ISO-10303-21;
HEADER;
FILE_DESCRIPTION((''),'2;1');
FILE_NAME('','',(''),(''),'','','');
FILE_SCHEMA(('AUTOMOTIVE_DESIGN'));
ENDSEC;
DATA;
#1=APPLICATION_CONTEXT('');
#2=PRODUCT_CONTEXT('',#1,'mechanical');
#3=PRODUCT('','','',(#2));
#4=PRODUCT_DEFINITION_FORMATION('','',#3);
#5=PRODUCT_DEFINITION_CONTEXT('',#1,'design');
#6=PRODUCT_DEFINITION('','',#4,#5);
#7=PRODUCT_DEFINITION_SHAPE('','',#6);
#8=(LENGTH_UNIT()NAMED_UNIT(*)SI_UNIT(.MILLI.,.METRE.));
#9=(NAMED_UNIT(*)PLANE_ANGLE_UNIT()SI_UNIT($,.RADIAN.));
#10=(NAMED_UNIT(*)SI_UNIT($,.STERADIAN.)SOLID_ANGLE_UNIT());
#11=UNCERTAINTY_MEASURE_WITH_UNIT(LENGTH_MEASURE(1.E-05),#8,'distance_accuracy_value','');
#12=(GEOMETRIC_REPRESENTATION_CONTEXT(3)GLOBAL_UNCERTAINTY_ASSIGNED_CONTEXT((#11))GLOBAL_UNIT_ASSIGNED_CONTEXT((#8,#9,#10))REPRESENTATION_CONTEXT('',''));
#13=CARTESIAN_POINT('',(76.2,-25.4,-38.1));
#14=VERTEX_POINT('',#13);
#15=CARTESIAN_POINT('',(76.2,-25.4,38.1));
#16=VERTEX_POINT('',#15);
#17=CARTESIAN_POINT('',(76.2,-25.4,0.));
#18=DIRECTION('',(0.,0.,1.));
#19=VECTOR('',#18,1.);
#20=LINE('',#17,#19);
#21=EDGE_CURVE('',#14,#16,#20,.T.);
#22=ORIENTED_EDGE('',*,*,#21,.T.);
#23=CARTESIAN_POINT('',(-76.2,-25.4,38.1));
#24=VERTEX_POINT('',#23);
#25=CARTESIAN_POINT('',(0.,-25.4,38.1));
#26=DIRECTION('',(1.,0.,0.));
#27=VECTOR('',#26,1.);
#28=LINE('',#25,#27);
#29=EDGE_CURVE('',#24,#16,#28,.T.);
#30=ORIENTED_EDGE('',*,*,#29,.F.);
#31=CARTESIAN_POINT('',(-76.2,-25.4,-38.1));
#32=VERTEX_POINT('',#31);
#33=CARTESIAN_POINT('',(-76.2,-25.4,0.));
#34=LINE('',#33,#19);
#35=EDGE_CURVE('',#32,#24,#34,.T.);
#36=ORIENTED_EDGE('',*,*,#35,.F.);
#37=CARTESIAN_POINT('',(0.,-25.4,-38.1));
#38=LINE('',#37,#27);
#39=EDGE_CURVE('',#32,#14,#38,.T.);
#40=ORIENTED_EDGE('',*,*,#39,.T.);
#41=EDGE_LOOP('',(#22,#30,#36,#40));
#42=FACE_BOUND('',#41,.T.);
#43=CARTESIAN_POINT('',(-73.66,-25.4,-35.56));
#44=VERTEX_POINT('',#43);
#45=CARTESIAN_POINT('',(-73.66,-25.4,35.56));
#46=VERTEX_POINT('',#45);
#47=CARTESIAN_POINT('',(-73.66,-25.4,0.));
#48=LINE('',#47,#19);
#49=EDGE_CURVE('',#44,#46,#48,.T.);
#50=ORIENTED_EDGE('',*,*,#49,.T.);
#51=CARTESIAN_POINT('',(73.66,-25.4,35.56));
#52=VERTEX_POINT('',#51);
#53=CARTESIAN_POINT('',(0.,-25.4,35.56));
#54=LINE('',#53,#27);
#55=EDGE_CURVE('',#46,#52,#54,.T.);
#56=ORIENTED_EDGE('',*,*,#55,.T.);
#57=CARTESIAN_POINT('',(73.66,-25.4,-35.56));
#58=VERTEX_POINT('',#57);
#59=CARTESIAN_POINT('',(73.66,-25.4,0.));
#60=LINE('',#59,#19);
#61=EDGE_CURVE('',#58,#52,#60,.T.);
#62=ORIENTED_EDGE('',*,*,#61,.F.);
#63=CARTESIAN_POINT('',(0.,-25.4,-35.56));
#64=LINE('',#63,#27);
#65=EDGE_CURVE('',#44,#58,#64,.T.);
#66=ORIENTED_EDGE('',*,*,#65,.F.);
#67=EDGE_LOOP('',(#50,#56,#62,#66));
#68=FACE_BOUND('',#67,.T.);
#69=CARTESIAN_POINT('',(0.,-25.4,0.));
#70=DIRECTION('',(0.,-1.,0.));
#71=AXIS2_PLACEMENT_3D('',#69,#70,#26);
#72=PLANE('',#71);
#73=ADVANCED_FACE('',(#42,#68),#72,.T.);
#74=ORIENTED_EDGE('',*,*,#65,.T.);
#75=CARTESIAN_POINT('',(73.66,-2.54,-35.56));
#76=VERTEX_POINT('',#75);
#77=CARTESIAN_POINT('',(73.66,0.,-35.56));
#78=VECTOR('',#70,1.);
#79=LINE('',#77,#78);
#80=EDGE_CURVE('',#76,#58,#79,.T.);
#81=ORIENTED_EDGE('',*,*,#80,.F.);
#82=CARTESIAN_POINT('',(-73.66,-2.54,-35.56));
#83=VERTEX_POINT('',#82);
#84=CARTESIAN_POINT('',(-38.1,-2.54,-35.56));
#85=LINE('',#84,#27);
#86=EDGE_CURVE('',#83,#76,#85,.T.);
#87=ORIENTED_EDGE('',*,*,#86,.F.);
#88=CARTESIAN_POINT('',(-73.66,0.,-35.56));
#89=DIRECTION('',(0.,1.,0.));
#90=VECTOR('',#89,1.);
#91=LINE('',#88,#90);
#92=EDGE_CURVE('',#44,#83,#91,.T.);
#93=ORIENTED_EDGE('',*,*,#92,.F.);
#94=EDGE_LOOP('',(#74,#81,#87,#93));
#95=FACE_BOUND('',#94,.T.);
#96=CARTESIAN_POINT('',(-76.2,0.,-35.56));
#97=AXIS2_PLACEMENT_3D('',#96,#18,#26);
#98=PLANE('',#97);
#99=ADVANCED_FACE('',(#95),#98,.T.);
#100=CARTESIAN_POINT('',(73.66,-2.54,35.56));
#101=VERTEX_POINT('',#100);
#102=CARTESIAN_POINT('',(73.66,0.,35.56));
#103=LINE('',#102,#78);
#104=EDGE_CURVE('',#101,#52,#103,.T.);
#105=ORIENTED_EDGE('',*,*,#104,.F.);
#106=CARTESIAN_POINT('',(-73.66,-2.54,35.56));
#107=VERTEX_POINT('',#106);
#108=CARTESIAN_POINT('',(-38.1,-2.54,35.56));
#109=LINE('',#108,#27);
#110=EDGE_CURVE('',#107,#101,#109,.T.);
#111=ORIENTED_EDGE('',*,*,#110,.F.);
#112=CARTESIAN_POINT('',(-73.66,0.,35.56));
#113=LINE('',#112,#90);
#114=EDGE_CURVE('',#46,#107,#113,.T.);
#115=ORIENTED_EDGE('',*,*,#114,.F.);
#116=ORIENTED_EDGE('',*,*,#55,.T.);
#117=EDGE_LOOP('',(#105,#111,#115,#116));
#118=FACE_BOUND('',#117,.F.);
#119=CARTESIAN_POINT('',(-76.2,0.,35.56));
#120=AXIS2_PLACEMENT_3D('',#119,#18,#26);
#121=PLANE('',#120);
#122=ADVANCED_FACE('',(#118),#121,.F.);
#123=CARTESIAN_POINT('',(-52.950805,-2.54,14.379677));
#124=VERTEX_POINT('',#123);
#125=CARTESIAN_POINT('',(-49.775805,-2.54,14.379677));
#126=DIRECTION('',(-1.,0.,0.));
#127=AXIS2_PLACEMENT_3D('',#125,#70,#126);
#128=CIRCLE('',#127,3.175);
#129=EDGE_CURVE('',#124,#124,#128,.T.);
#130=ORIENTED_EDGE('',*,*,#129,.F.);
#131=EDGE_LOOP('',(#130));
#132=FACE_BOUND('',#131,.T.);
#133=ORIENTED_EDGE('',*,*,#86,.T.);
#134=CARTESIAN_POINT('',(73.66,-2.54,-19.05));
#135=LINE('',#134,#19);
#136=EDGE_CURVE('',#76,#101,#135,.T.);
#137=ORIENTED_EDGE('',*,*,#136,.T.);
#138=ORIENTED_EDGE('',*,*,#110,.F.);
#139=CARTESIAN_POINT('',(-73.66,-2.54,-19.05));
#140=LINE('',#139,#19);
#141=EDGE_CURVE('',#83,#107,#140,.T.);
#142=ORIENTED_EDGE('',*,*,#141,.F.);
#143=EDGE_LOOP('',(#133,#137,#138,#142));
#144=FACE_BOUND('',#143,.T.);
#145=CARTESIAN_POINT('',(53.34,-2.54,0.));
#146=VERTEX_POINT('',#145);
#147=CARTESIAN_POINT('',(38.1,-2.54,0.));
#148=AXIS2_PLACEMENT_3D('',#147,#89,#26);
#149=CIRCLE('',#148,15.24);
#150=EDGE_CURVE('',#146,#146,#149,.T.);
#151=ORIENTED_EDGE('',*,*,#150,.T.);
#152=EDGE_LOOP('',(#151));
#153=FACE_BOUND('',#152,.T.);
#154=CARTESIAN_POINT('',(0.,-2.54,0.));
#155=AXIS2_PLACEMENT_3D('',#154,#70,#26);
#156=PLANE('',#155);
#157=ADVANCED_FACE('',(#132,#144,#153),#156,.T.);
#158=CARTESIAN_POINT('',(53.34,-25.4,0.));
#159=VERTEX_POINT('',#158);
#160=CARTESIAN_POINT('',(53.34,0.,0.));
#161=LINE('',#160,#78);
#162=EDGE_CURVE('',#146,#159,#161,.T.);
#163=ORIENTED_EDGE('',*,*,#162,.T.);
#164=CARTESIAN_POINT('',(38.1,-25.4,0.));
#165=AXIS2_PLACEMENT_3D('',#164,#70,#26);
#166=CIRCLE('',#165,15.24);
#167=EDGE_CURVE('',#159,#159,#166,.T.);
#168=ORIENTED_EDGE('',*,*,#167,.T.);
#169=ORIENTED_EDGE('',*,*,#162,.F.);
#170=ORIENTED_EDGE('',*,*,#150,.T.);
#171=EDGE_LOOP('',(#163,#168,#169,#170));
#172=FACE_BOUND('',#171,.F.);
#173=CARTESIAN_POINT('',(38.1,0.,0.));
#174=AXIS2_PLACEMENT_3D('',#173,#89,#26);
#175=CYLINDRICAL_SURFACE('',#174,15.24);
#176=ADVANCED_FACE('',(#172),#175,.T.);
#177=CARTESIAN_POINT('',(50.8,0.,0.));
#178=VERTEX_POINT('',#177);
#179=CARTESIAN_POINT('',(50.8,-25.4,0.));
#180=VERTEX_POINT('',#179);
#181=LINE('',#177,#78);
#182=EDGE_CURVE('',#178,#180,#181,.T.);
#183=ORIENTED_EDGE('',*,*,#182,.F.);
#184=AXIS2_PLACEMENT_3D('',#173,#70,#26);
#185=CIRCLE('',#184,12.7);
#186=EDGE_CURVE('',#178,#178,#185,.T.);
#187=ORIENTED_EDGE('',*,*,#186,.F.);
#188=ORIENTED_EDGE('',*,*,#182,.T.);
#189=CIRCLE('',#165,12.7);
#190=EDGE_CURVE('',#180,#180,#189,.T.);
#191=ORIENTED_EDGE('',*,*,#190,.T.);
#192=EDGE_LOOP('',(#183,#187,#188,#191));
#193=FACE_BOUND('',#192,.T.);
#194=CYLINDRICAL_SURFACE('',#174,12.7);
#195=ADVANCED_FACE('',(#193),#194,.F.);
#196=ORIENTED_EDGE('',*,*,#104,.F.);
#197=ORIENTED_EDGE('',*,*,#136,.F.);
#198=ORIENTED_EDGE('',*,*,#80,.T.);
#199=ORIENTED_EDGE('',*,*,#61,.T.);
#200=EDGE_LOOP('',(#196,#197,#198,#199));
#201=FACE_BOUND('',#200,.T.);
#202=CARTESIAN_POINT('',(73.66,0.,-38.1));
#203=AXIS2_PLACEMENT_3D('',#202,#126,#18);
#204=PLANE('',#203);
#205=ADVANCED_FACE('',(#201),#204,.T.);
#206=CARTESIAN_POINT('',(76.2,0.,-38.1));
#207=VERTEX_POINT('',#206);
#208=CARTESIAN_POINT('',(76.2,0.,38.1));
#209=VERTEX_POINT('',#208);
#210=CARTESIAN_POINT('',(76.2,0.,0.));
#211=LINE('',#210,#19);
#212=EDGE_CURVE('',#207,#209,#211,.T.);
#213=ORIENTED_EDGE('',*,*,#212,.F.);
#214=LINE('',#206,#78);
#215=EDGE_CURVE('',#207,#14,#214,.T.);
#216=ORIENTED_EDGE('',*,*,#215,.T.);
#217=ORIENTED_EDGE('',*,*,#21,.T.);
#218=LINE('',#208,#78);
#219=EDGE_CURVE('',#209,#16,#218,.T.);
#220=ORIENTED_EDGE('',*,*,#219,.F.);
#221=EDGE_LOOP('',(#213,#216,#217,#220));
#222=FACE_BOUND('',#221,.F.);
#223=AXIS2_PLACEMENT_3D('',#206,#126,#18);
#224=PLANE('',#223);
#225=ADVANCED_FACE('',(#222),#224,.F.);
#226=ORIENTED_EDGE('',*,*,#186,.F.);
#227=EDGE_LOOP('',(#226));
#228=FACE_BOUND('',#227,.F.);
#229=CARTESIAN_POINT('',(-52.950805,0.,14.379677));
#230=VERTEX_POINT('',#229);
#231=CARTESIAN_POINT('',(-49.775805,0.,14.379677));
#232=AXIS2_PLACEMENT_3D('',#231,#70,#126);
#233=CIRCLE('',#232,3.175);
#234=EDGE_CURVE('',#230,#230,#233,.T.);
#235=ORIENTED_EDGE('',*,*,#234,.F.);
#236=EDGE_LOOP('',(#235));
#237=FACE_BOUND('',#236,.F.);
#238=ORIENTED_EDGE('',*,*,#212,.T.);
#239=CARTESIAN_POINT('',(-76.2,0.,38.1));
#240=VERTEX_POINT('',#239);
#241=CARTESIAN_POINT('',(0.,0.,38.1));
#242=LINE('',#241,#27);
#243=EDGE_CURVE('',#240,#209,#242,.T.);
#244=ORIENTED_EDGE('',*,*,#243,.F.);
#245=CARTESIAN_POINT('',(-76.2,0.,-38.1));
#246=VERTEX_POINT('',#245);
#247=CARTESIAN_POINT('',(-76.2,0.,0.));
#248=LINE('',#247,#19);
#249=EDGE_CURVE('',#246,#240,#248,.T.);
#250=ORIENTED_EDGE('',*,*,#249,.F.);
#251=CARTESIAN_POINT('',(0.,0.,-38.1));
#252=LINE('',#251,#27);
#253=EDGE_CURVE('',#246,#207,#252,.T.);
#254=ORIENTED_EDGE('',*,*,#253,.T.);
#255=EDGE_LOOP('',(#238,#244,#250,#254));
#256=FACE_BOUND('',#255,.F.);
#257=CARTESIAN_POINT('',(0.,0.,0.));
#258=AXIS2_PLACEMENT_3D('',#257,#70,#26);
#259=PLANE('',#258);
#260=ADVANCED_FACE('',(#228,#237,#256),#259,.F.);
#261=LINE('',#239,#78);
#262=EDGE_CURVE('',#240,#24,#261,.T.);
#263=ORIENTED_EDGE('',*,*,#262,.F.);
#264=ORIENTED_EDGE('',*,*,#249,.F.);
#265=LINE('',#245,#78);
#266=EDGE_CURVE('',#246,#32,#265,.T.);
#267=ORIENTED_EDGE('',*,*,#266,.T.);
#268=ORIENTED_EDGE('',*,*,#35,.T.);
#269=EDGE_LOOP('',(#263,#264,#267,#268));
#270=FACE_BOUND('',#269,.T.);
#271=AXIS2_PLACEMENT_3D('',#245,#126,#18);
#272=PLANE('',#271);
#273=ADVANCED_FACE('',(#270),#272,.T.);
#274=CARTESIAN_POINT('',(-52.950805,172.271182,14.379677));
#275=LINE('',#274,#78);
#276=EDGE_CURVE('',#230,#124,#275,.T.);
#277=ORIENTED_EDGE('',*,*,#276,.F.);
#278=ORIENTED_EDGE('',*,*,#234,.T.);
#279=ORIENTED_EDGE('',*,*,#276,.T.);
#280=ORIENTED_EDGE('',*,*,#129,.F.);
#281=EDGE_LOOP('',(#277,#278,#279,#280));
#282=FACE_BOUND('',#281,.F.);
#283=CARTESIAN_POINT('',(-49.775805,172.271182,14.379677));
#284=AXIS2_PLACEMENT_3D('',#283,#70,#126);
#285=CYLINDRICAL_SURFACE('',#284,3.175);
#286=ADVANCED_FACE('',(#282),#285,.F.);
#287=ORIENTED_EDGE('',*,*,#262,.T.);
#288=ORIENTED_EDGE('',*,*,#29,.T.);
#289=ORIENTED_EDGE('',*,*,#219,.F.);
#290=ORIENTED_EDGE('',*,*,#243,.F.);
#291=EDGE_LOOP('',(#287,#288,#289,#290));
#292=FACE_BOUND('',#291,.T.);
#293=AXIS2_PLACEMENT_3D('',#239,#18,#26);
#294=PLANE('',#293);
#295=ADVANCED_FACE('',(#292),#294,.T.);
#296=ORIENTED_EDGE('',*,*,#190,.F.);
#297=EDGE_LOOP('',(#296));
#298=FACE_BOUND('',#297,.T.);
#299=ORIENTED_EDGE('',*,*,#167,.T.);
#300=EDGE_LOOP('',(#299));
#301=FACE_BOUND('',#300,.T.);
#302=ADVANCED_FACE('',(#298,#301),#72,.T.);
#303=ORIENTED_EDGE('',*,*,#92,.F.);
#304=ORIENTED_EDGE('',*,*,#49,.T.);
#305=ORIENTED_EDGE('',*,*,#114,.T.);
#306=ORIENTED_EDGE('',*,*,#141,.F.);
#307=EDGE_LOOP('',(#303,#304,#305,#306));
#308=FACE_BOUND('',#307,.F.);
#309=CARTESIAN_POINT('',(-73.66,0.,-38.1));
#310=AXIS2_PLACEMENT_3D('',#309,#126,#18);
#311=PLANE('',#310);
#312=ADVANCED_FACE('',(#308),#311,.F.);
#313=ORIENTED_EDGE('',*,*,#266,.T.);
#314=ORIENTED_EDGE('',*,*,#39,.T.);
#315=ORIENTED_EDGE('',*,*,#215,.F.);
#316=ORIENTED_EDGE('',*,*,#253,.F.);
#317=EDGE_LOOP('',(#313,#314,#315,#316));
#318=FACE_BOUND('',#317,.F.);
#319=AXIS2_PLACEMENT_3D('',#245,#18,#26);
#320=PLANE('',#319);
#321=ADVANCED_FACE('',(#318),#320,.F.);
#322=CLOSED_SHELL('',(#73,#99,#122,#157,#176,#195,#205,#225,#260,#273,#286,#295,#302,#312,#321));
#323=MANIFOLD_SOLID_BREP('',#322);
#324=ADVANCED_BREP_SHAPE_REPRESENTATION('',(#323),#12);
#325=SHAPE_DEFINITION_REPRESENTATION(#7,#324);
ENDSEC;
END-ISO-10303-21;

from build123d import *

# Parameters (mm, degrees)
F0_W     = 152.4
F0_H     = 76.2
F0_R     = 12.7
F1_DEPTH = 25.4
F2_T     = -2.54
F4_D     = 6.35


with BuildPart() as f1:
    # F0 (on Front) → F1 (new body)
    with BuildSketch(Plane.XZ):
        Rectangle(F0_W, F0_H)
        with Locations((38.1, 0)):
            Circle(F0_R, mode=Mode.SUBTRACT)
    extrude(amount=F1_DEPTH)

    # F2
    f2_openings = [f1.faces().sort_by_distance(p)[0] for p in [
        (-1.738273, -25.4, 0),
    ]]
    offset(amount=F2_T, openings=f2_openings)

    # F4 (through all)
    with Locations(Plane(origin=(0, 0, 0), x_dir=(1, 0, 0), z_dir=(0, 1, 0))):
        with Locations((-49.7758053243, -14.3796773627)):
            Hole(F4_D / 2)


solid = f1.part
